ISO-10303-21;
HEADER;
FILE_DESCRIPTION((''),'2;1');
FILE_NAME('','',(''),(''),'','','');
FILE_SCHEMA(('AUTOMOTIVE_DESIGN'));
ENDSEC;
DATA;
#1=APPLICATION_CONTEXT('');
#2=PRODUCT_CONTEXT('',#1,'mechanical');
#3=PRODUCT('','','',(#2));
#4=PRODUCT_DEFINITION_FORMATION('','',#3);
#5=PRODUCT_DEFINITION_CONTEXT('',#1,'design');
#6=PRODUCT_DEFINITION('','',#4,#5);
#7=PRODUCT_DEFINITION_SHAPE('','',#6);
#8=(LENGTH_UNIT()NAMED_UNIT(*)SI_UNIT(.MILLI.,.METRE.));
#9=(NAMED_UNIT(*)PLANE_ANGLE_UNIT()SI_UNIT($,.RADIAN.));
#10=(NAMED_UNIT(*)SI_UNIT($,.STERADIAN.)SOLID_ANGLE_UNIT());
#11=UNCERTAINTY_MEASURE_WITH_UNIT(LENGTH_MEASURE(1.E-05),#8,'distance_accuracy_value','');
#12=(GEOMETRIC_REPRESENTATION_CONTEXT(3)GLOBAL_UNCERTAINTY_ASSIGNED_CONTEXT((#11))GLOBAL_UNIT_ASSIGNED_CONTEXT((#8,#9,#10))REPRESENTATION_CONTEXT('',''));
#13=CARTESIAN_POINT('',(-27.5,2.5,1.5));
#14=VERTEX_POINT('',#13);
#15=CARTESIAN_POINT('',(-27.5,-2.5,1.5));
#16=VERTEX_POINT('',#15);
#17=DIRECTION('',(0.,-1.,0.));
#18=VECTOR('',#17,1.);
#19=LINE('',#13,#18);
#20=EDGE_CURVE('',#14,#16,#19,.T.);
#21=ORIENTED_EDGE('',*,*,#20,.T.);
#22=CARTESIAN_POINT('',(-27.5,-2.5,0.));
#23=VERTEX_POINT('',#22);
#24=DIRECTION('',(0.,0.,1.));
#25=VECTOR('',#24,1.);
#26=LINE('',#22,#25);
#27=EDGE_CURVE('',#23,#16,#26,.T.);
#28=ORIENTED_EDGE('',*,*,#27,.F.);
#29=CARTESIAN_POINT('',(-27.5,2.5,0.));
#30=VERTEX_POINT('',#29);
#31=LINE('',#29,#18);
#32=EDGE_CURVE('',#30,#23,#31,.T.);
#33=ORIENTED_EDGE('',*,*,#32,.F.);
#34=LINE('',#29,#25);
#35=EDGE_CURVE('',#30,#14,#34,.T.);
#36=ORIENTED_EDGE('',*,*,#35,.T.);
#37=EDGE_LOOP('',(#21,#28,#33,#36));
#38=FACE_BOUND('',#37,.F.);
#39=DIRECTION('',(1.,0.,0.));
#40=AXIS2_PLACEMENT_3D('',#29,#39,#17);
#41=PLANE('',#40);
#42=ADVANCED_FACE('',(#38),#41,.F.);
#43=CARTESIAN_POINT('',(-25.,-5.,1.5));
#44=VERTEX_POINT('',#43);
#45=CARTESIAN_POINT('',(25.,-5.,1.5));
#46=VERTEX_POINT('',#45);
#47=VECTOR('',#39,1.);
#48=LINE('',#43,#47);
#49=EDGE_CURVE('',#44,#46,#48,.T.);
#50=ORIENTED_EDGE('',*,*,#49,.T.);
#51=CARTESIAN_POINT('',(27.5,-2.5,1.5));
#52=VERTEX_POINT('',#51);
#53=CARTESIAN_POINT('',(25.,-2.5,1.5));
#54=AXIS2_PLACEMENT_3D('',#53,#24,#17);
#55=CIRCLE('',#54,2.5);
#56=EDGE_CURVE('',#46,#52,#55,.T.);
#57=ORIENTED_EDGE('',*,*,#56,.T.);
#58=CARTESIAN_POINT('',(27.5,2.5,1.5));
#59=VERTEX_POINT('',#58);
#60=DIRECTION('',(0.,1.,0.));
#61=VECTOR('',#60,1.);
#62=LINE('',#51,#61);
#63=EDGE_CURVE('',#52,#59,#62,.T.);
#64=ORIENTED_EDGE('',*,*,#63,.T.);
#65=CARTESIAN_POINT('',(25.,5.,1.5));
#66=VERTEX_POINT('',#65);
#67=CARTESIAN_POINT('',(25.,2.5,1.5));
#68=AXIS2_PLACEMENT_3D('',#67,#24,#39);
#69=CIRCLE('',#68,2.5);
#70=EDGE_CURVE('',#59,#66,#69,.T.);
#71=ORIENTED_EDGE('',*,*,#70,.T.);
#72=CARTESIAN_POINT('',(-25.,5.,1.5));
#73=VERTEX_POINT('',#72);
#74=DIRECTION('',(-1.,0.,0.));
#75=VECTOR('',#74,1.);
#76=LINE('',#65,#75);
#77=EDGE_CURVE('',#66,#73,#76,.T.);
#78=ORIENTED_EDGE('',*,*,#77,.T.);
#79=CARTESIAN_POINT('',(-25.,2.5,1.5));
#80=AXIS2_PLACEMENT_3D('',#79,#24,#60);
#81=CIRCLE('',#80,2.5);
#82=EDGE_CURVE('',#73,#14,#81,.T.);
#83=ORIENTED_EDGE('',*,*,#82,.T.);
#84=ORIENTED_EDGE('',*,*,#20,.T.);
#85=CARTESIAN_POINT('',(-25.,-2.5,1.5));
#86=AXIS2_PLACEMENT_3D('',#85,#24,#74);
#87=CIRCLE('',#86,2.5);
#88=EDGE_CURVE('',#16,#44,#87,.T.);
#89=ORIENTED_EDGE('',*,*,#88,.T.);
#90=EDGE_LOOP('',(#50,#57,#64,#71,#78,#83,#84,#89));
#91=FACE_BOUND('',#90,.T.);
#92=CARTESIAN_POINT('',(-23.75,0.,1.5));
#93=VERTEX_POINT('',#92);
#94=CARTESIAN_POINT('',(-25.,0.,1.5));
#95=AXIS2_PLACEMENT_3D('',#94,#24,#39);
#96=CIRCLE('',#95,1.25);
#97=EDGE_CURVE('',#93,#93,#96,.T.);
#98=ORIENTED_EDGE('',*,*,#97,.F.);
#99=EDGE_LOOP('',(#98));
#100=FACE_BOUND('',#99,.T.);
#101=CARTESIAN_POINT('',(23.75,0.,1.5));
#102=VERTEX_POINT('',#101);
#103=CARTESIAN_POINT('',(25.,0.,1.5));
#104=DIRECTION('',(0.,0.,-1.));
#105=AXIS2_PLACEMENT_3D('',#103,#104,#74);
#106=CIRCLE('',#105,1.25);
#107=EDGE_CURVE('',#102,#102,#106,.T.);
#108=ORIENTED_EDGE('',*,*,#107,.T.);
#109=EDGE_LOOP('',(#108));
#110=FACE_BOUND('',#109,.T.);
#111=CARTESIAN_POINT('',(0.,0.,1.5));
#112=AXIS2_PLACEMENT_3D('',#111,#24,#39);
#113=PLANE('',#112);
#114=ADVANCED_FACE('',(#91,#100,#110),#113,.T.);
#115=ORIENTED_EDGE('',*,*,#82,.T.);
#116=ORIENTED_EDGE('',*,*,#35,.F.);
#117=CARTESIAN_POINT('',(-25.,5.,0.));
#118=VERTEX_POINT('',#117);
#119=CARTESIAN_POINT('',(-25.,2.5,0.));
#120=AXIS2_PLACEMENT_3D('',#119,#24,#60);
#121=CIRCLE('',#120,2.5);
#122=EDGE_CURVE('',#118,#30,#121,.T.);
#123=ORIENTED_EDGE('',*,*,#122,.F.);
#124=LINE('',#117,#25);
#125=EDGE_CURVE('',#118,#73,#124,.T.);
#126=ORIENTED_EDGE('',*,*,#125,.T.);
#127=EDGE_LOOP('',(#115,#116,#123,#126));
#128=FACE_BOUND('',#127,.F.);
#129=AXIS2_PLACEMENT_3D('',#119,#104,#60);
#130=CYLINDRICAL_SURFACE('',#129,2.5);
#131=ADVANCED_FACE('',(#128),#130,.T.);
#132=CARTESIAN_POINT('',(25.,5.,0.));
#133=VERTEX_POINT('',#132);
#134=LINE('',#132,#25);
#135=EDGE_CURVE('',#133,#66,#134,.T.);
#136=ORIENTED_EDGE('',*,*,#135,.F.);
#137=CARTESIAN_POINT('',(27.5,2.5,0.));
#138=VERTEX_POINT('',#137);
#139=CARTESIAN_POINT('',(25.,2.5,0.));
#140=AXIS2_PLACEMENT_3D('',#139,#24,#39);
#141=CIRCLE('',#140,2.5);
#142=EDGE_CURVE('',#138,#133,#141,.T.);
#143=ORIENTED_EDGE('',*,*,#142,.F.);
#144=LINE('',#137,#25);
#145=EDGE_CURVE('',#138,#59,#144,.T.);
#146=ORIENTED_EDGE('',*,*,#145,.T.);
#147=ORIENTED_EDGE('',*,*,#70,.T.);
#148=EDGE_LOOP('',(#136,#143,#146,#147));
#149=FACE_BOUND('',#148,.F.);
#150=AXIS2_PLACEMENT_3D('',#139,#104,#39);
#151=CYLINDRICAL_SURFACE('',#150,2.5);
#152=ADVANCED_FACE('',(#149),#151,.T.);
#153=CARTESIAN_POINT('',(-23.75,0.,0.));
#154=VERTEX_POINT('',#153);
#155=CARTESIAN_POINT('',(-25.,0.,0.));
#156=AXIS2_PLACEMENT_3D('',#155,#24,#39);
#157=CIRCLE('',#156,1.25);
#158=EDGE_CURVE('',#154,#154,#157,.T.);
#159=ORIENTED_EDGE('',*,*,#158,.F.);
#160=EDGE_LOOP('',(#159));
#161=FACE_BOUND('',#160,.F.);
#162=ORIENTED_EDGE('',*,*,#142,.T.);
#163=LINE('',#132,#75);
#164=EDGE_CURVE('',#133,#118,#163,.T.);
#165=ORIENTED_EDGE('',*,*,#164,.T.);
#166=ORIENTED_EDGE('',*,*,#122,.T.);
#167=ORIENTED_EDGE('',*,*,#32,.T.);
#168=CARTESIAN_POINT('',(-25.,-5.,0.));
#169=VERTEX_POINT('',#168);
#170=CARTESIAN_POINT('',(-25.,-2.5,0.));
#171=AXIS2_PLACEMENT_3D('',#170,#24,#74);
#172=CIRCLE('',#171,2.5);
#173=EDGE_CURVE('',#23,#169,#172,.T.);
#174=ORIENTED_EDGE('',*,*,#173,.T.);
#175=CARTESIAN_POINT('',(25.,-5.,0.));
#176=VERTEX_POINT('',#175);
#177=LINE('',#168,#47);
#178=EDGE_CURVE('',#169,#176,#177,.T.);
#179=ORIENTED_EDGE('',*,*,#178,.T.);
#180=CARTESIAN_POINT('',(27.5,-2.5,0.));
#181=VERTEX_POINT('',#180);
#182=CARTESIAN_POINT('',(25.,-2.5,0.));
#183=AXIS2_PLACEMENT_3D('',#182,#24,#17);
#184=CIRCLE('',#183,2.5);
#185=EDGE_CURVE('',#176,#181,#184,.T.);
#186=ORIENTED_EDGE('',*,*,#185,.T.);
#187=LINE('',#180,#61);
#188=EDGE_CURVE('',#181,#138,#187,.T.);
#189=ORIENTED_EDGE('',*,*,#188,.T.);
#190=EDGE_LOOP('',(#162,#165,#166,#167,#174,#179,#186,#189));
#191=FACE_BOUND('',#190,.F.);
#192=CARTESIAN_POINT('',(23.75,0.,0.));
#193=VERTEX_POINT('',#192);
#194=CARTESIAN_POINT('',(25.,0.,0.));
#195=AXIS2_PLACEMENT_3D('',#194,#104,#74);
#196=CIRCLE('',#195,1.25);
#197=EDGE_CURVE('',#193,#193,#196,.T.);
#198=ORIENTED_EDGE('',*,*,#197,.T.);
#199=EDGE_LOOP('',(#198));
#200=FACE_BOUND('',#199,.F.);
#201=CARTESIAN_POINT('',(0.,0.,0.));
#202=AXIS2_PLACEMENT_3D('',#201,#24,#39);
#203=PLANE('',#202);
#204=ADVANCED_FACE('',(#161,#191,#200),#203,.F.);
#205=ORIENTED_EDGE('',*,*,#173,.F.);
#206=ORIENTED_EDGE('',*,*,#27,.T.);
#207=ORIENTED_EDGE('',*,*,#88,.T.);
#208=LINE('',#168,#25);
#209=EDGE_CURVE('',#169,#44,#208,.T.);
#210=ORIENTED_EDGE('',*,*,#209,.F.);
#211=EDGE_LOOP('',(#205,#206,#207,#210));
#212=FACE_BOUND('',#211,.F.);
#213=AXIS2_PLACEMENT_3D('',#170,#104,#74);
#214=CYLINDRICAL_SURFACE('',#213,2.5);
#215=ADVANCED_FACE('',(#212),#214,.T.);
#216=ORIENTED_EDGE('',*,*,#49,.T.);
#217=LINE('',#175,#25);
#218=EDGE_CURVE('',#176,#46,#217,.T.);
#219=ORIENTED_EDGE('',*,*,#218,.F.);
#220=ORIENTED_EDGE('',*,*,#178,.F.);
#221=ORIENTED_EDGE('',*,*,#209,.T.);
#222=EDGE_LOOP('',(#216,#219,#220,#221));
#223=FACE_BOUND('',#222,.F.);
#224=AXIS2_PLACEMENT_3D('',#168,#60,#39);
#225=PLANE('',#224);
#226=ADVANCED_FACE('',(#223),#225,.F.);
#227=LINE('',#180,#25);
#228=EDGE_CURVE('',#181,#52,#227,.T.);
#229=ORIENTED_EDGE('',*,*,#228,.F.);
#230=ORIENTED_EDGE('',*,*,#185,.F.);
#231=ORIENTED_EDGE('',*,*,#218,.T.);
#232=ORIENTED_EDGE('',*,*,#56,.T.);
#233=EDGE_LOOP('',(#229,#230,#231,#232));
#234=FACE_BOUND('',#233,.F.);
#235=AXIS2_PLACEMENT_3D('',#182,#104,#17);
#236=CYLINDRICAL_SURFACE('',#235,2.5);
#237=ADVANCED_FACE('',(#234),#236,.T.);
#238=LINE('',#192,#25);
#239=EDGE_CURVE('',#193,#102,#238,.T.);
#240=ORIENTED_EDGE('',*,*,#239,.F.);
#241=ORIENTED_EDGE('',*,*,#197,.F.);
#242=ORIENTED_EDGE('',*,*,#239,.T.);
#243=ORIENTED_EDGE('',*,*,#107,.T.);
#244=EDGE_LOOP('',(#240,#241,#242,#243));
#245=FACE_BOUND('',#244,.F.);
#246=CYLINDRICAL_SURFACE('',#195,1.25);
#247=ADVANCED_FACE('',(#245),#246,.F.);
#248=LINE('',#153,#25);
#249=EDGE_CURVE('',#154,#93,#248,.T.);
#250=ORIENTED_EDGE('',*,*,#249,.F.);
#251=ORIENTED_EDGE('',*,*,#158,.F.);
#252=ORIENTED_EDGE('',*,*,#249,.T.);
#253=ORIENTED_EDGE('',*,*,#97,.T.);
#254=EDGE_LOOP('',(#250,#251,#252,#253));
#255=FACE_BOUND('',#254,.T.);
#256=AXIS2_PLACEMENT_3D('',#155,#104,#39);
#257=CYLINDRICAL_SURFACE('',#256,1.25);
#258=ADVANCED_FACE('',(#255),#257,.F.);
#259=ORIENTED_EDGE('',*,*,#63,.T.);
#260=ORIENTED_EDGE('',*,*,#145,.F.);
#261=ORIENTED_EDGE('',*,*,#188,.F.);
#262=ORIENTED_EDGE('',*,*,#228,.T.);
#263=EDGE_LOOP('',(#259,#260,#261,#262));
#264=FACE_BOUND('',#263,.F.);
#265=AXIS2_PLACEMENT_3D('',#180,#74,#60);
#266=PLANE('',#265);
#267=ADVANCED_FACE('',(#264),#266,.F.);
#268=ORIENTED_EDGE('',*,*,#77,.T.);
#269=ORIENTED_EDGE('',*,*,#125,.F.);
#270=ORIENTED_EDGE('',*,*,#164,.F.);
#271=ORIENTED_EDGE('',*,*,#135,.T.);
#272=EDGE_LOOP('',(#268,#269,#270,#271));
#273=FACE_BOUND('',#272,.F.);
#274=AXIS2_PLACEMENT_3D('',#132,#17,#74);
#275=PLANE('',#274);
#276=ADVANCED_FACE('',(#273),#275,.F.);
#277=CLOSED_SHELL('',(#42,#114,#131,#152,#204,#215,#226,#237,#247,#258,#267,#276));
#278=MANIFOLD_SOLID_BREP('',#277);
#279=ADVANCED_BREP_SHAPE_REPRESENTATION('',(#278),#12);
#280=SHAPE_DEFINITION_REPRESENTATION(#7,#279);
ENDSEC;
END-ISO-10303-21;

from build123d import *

# Parameters (mm, degrees)
F0_R     = 1.25
F1_DEPTH = 1.5


with BuildPart() as f1:
    # F0 (on Top) → F1 (new body)
    with BuildSketch(Plane.XY):
        with BuildLine():
            ThreePointArc((27.5, 2.5), (26.767766953, 4.267766953), (25, 5))
            Line((25, 5), (-25, 5))
            ThreePointArc((-25, 5), (-26.767766953, 4.267766953), (-27.5, 2.5))
            Line((-27.5, 2.5), (-27.5, -2.5))
            ThreePointArc((-27.5, -2.5), (-26.767766953, -4.267766953), (-25, -5))
            Line((-25, -5), (25, -5))
            ThreePointArc((25, -5), (26.767766953, -4.267766953), (27.5, -2.5))
            Line((27.5, -2.5), (27.5, 2.5))
        make_face()
        with Locations((-25, 0)):
            Circle(F0_R, mode=Mode.SUBTRACT)
        with BuildLine():
            ThreePointArc((26.25, 0), (25, -1.25), (23.75, 0))
            ThreePointArc((23.75, 0), (25, 1.25), (26.25, 0))
        make_face(mode=Mode.SUBTRACT)
    extrude(amount=F1_DEPTH)


solid = f1.part
